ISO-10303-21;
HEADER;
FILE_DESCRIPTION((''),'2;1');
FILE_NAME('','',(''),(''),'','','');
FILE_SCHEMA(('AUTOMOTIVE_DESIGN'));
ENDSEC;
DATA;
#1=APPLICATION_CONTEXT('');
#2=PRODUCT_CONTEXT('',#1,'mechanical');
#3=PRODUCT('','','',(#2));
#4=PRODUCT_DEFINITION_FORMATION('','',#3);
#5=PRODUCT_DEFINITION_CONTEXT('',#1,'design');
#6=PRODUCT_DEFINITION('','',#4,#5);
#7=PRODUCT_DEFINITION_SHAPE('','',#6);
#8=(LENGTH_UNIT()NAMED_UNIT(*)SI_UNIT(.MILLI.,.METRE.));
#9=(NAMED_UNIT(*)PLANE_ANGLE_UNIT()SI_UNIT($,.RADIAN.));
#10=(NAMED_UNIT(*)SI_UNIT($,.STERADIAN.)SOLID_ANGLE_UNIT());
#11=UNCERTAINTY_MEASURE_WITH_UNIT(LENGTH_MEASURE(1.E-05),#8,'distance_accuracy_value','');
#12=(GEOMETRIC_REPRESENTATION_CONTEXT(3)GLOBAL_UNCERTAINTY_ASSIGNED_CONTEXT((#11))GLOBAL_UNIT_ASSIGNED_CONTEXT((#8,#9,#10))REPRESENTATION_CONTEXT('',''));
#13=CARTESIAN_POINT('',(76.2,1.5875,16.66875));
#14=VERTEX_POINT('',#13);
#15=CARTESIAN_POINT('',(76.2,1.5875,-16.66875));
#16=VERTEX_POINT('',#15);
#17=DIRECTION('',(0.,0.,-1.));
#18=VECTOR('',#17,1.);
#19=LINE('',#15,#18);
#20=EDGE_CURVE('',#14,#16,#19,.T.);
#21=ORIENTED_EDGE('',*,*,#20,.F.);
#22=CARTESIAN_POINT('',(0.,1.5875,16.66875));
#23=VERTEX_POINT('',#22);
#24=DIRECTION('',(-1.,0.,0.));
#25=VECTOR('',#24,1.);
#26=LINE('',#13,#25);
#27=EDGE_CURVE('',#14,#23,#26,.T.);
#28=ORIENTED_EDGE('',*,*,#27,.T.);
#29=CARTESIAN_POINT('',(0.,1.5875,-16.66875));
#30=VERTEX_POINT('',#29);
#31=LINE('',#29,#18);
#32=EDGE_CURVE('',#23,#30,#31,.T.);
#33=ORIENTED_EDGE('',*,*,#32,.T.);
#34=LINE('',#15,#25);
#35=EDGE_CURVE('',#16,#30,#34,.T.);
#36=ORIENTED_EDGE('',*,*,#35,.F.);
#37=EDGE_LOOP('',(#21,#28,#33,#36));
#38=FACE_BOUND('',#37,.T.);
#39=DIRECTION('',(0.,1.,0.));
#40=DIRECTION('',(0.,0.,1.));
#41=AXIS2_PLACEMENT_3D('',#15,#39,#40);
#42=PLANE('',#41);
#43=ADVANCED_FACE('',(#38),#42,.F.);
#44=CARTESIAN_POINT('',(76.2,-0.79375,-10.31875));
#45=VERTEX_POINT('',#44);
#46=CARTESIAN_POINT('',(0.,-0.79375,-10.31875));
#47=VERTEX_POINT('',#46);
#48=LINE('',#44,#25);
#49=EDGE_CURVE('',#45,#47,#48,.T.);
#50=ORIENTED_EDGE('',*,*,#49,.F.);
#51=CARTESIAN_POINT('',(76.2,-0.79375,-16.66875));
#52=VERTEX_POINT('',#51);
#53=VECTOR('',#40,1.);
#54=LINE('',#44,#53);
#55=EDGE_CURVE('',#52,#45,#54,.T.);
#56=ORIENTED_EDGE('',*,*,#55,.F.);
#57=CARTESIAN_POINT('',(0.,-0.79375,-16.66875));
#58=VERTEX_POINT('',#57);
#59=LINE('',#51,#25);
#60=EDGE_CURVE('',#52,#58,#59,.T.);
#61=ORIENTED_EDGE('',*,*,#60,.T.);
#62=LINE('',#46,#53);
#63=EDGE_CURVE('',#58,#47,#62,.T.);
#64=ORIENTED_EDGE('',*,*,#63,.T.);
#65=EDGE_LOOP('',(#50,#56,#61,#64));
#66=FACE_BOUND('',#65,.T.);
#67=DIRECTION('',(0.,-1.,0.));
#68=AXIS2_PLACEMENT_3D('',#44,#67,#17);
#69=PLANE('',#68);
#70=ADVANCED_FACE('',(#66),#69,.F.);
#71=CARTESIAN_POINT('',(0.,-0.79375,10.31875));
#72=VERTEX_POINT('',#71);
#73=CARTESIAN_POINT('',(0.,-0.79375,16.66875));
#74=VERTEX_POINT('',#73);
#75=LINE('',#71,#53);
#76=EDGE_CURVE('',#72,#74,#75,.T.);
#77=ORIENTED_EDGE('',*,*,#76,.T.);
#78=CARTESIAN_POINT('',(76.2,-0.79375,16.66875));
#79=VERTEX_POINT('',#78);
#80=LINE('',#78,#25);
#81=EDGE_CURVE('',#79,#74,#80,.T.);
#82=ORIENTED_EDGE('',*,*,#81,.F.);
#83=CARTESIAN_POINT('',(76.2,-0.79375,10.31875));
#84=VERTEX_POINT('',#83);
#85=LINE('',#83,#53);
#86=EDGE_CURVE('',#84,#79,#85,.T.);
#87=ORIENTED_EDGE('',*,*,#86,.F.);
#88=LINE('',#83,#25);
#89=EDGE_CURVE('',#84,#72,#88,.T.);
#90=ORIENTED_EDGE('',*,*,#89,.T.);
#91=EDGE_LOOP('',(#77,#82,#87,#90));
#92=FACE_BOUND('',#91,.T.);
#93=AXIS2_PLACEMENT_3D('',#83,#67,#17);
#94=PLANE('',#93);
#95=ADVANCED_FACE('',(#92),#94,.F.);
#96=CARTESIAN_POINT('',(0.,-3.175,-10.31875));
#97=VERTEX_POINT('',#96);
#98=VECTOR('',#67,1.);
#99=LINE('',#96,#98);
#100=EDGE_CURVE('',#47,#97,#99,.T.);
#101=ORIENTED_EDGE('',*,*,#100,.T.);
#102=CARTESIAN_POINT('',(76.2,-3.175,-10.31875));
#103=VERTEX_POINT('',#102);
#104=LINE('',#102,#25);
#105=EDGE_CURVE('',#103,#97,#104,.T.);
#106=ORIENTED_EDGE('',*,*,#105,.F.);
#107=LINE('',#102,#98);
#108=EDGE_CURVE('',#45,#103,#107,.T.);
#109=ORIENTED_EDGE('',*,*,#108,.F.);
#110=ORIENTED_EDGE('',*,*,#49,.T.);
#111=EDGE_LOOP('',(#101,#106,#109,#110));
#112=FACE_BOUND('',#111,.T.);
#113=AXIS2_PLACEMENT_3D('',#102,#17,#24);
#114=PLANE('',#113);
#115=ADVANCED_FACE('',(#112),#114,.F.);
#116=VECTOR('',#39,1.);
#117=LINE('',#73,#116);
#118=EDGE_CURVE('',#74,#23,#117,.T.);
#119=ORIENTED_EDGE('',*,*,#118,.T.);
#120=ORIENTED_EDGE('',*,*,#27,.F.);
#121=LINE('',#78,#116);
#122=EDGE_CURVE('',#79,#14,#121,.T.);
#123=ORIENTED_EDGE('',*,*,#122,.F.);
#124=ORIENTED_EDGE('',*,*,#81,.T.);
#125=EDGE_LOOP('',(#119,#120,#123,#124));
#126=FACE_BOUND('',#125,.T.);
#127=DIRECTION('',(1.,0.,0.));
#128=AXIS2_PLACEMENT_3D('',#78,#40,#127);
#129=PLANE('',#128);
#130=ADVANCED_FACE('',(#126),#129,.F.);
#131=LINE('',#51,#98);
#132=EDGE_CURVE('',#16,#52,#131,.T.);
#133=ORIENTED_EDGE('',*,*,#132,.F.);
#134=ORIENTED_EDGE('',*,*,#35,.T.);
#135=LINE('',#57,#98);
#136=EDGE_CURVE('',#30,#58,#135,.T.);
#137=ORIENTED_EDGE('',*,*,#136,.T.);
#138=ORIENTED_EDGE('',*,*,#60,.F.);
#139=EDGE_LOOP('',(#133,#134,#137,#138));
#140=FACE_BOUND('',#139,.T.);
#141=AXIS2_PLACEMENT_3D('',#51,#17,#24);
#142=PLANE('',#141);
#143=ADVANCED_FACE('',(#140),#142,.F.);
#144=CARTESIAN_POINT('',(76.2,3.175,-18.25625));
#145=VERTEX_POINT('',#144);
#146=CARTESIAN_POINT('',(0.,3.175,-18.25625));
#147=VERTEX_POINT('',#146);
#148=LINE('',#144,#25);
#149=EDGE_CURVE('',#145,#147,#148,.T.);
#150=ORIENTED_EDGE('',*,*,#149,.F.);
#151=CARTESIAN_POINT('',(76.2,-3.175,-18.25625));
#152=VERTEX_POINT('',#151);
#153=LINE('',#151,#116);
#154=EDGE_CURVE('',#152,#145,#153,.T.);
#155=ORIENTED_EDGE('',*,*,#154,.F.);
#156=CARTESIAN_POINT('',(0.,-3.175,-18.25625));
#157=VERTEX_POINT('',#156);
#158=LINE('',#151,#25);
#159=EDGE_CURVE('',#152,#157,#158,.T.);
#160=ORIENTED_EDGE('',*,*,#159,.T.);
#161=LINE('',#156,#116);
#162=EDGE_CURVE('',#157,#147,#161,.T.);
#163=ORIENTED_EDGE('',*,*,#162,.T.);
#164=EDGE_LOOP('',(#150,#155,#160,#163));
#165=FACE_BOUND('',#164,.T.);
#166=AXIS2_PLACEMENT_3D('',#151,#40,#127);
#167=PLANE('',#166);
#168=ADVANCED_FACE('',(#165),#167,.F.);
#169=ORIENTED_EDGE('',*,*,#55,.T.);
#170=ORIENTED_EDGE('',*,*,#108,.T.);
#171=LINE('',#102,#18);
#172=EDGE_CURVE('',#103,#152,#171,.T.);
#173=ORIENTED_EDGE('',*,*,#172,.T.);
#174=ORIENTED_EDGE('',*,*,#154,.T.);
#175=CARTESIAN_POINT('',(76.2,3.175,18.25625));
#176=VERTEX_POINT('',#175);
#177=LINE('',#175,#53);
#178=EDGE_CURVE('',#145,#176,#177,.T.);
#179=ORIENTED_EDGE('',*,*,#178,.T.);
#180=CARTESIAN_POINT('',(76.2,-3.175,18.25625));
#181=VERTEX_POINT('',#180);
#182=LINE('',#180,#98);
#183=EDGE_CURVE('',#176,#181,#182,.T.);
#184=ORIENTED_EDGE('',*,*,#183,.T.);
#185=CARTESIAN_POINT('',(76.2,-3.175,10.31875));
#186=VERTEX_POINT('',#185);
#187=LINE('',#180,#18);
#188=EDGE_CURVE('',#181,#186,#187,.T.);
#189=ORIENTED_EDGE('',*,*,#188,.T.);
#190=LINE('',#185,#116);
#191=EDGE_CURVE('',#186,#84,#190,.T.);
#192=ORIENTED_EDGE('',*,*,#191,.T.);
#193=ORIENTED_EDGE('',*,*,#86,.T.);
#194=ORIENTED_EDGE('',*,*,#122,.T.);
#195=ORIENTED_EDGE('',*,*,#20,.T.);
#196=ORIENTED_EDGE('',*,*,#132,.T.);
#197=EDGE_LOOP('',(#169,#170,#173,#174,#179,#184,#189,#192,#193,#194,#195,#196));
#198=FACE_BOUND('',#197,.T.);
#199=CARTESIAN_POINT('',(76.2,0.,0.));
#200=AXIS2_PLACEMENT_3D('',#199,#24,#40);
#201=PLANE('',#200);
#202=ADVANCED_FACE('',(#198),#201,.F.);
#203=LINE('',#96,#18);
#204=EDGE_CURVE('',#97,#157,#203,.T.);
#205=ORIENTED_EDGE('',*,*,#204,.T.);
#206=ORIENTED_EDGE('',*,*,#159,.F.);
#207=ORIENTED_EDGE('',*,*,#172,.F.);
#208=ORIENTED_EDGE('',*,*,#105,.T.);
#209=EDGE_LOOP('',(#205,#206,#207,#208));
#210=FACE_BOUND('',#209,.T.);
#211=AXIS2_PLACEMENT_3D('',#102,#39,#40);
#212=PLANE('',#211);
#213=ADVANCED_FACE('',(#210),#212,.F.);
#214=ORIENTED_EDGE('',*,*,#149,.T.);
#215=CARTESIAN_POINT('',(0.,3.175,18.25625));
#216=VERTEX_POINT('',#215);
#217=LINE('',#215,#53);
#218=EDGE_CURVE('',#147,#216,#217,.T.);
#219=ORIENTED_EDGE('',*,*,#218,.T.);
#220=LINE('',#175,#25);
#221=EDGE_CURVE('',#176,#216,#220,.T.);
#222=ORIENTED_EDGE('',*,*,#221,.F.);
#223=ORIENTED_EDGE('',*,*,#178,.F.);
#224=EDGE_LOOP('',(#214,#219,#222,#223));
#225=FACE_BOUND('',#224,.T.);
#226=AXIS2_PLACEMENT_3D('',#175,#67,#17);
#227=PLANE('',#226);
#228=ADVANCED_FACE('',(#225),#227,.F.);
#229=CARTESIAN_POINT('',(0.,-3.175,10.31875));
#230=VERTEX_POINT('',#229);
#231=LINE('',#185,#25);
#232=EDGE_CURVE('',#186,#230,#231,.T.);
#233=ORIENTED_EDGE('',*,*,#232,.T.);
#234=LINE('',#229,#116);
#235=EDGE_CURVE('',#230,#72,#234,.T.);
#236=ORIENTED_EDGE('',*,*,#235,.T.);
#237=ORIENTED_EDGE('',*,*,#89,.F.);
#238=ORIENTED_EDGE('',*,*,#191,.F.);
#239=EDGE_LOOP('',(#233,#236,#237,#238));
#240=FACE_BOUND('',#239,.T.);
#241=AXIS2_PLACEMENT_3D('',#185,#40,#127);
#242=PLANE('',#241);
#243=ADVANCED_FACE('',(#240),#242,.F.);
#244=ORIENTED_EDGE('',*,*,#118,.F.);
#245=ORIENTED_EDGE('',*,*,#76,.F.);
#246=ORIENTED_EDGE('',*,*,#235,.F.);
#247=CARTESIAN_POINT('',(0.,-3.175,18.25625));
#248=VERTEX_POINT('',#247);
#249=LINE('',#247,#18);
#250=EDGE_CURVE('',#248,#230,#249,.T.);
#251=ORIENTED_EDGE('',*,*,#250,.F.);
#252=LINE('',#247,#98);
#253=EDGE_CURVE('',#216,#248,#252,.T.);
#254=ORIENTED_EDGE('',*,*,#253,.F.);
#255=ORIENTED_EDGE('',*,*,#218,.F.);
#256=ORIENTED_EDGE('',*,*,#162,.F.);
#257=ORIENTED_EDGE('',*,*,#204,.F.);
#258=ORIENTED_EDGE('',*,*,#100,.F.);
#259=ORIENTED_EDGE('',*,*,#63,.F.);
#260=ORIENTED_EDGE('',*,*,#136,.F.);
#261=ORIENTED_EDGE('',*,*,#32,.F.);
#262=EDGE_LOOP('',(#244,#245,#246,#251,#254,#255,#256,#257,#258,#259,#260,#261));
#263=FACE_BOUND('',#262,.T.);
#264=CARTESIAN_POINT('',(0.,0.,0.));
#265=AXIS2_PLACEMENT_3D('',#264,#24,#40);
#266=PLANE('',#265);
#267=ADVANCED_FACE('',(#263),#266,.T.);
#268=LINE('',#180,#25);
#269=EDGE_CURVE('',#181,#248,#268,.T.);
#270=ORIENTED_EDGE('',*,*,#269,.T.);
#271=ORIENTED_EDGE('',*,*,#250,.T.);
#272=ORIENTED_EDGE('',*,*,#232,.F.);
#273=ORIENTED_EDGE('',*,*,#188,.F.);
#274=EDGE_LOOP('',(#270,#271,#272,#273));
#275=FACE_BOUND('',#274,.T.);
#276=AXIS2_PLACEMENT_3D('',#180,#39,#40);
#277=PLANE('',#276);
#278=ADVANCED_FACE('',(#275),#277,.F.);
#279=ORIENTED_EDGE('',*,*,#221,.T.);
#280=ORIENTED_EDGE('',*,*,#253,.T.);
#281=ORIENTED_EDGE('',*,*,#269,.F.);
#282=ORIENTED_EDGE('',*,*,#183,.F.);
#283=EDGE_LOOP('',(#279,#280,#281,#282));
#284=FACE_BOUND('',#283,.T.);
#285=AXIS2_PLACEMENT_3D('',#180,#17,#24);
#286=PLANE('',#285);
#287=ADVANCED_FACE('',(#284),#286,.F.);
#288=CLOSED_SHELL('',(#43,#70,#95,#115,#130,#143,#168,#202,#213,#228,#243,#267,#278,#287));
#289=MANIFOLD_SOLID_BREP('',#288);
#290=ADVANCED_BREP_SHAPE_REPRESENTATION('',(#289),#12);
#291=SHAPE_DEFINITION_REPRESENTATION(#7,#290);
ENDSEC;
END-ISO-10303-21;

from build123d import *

# Parameters (mm, degrees)
BOSS_EXTRUDE1_DEPTH = 76.2


with BuildPart() as part:
    # Sketch1 → Boss-Extrude1 (new body)
    with BuildSketch(Plane(origin=(0, 0, 0), x_dir=(0, 0, -1), z_dir=(1, 0, 0))):
        Polygon((10.31875, -3.175), (18.25625, -3.175), (18.25625, 3.175), (-18.25625, 3.175), (-18.25625, -3.175), (-10.31875, -3.175), (-10.31875, -0.79375), (-16.66875, -0.79375), (-16.66875, 1.5875), (16.66875, 1.5875), (16.66875, -0.79375), (10.31875, -0.79375), align=None)
    extrude(amount=BOSS_EXTRUDE1_DEPTH)


solid = part.part
